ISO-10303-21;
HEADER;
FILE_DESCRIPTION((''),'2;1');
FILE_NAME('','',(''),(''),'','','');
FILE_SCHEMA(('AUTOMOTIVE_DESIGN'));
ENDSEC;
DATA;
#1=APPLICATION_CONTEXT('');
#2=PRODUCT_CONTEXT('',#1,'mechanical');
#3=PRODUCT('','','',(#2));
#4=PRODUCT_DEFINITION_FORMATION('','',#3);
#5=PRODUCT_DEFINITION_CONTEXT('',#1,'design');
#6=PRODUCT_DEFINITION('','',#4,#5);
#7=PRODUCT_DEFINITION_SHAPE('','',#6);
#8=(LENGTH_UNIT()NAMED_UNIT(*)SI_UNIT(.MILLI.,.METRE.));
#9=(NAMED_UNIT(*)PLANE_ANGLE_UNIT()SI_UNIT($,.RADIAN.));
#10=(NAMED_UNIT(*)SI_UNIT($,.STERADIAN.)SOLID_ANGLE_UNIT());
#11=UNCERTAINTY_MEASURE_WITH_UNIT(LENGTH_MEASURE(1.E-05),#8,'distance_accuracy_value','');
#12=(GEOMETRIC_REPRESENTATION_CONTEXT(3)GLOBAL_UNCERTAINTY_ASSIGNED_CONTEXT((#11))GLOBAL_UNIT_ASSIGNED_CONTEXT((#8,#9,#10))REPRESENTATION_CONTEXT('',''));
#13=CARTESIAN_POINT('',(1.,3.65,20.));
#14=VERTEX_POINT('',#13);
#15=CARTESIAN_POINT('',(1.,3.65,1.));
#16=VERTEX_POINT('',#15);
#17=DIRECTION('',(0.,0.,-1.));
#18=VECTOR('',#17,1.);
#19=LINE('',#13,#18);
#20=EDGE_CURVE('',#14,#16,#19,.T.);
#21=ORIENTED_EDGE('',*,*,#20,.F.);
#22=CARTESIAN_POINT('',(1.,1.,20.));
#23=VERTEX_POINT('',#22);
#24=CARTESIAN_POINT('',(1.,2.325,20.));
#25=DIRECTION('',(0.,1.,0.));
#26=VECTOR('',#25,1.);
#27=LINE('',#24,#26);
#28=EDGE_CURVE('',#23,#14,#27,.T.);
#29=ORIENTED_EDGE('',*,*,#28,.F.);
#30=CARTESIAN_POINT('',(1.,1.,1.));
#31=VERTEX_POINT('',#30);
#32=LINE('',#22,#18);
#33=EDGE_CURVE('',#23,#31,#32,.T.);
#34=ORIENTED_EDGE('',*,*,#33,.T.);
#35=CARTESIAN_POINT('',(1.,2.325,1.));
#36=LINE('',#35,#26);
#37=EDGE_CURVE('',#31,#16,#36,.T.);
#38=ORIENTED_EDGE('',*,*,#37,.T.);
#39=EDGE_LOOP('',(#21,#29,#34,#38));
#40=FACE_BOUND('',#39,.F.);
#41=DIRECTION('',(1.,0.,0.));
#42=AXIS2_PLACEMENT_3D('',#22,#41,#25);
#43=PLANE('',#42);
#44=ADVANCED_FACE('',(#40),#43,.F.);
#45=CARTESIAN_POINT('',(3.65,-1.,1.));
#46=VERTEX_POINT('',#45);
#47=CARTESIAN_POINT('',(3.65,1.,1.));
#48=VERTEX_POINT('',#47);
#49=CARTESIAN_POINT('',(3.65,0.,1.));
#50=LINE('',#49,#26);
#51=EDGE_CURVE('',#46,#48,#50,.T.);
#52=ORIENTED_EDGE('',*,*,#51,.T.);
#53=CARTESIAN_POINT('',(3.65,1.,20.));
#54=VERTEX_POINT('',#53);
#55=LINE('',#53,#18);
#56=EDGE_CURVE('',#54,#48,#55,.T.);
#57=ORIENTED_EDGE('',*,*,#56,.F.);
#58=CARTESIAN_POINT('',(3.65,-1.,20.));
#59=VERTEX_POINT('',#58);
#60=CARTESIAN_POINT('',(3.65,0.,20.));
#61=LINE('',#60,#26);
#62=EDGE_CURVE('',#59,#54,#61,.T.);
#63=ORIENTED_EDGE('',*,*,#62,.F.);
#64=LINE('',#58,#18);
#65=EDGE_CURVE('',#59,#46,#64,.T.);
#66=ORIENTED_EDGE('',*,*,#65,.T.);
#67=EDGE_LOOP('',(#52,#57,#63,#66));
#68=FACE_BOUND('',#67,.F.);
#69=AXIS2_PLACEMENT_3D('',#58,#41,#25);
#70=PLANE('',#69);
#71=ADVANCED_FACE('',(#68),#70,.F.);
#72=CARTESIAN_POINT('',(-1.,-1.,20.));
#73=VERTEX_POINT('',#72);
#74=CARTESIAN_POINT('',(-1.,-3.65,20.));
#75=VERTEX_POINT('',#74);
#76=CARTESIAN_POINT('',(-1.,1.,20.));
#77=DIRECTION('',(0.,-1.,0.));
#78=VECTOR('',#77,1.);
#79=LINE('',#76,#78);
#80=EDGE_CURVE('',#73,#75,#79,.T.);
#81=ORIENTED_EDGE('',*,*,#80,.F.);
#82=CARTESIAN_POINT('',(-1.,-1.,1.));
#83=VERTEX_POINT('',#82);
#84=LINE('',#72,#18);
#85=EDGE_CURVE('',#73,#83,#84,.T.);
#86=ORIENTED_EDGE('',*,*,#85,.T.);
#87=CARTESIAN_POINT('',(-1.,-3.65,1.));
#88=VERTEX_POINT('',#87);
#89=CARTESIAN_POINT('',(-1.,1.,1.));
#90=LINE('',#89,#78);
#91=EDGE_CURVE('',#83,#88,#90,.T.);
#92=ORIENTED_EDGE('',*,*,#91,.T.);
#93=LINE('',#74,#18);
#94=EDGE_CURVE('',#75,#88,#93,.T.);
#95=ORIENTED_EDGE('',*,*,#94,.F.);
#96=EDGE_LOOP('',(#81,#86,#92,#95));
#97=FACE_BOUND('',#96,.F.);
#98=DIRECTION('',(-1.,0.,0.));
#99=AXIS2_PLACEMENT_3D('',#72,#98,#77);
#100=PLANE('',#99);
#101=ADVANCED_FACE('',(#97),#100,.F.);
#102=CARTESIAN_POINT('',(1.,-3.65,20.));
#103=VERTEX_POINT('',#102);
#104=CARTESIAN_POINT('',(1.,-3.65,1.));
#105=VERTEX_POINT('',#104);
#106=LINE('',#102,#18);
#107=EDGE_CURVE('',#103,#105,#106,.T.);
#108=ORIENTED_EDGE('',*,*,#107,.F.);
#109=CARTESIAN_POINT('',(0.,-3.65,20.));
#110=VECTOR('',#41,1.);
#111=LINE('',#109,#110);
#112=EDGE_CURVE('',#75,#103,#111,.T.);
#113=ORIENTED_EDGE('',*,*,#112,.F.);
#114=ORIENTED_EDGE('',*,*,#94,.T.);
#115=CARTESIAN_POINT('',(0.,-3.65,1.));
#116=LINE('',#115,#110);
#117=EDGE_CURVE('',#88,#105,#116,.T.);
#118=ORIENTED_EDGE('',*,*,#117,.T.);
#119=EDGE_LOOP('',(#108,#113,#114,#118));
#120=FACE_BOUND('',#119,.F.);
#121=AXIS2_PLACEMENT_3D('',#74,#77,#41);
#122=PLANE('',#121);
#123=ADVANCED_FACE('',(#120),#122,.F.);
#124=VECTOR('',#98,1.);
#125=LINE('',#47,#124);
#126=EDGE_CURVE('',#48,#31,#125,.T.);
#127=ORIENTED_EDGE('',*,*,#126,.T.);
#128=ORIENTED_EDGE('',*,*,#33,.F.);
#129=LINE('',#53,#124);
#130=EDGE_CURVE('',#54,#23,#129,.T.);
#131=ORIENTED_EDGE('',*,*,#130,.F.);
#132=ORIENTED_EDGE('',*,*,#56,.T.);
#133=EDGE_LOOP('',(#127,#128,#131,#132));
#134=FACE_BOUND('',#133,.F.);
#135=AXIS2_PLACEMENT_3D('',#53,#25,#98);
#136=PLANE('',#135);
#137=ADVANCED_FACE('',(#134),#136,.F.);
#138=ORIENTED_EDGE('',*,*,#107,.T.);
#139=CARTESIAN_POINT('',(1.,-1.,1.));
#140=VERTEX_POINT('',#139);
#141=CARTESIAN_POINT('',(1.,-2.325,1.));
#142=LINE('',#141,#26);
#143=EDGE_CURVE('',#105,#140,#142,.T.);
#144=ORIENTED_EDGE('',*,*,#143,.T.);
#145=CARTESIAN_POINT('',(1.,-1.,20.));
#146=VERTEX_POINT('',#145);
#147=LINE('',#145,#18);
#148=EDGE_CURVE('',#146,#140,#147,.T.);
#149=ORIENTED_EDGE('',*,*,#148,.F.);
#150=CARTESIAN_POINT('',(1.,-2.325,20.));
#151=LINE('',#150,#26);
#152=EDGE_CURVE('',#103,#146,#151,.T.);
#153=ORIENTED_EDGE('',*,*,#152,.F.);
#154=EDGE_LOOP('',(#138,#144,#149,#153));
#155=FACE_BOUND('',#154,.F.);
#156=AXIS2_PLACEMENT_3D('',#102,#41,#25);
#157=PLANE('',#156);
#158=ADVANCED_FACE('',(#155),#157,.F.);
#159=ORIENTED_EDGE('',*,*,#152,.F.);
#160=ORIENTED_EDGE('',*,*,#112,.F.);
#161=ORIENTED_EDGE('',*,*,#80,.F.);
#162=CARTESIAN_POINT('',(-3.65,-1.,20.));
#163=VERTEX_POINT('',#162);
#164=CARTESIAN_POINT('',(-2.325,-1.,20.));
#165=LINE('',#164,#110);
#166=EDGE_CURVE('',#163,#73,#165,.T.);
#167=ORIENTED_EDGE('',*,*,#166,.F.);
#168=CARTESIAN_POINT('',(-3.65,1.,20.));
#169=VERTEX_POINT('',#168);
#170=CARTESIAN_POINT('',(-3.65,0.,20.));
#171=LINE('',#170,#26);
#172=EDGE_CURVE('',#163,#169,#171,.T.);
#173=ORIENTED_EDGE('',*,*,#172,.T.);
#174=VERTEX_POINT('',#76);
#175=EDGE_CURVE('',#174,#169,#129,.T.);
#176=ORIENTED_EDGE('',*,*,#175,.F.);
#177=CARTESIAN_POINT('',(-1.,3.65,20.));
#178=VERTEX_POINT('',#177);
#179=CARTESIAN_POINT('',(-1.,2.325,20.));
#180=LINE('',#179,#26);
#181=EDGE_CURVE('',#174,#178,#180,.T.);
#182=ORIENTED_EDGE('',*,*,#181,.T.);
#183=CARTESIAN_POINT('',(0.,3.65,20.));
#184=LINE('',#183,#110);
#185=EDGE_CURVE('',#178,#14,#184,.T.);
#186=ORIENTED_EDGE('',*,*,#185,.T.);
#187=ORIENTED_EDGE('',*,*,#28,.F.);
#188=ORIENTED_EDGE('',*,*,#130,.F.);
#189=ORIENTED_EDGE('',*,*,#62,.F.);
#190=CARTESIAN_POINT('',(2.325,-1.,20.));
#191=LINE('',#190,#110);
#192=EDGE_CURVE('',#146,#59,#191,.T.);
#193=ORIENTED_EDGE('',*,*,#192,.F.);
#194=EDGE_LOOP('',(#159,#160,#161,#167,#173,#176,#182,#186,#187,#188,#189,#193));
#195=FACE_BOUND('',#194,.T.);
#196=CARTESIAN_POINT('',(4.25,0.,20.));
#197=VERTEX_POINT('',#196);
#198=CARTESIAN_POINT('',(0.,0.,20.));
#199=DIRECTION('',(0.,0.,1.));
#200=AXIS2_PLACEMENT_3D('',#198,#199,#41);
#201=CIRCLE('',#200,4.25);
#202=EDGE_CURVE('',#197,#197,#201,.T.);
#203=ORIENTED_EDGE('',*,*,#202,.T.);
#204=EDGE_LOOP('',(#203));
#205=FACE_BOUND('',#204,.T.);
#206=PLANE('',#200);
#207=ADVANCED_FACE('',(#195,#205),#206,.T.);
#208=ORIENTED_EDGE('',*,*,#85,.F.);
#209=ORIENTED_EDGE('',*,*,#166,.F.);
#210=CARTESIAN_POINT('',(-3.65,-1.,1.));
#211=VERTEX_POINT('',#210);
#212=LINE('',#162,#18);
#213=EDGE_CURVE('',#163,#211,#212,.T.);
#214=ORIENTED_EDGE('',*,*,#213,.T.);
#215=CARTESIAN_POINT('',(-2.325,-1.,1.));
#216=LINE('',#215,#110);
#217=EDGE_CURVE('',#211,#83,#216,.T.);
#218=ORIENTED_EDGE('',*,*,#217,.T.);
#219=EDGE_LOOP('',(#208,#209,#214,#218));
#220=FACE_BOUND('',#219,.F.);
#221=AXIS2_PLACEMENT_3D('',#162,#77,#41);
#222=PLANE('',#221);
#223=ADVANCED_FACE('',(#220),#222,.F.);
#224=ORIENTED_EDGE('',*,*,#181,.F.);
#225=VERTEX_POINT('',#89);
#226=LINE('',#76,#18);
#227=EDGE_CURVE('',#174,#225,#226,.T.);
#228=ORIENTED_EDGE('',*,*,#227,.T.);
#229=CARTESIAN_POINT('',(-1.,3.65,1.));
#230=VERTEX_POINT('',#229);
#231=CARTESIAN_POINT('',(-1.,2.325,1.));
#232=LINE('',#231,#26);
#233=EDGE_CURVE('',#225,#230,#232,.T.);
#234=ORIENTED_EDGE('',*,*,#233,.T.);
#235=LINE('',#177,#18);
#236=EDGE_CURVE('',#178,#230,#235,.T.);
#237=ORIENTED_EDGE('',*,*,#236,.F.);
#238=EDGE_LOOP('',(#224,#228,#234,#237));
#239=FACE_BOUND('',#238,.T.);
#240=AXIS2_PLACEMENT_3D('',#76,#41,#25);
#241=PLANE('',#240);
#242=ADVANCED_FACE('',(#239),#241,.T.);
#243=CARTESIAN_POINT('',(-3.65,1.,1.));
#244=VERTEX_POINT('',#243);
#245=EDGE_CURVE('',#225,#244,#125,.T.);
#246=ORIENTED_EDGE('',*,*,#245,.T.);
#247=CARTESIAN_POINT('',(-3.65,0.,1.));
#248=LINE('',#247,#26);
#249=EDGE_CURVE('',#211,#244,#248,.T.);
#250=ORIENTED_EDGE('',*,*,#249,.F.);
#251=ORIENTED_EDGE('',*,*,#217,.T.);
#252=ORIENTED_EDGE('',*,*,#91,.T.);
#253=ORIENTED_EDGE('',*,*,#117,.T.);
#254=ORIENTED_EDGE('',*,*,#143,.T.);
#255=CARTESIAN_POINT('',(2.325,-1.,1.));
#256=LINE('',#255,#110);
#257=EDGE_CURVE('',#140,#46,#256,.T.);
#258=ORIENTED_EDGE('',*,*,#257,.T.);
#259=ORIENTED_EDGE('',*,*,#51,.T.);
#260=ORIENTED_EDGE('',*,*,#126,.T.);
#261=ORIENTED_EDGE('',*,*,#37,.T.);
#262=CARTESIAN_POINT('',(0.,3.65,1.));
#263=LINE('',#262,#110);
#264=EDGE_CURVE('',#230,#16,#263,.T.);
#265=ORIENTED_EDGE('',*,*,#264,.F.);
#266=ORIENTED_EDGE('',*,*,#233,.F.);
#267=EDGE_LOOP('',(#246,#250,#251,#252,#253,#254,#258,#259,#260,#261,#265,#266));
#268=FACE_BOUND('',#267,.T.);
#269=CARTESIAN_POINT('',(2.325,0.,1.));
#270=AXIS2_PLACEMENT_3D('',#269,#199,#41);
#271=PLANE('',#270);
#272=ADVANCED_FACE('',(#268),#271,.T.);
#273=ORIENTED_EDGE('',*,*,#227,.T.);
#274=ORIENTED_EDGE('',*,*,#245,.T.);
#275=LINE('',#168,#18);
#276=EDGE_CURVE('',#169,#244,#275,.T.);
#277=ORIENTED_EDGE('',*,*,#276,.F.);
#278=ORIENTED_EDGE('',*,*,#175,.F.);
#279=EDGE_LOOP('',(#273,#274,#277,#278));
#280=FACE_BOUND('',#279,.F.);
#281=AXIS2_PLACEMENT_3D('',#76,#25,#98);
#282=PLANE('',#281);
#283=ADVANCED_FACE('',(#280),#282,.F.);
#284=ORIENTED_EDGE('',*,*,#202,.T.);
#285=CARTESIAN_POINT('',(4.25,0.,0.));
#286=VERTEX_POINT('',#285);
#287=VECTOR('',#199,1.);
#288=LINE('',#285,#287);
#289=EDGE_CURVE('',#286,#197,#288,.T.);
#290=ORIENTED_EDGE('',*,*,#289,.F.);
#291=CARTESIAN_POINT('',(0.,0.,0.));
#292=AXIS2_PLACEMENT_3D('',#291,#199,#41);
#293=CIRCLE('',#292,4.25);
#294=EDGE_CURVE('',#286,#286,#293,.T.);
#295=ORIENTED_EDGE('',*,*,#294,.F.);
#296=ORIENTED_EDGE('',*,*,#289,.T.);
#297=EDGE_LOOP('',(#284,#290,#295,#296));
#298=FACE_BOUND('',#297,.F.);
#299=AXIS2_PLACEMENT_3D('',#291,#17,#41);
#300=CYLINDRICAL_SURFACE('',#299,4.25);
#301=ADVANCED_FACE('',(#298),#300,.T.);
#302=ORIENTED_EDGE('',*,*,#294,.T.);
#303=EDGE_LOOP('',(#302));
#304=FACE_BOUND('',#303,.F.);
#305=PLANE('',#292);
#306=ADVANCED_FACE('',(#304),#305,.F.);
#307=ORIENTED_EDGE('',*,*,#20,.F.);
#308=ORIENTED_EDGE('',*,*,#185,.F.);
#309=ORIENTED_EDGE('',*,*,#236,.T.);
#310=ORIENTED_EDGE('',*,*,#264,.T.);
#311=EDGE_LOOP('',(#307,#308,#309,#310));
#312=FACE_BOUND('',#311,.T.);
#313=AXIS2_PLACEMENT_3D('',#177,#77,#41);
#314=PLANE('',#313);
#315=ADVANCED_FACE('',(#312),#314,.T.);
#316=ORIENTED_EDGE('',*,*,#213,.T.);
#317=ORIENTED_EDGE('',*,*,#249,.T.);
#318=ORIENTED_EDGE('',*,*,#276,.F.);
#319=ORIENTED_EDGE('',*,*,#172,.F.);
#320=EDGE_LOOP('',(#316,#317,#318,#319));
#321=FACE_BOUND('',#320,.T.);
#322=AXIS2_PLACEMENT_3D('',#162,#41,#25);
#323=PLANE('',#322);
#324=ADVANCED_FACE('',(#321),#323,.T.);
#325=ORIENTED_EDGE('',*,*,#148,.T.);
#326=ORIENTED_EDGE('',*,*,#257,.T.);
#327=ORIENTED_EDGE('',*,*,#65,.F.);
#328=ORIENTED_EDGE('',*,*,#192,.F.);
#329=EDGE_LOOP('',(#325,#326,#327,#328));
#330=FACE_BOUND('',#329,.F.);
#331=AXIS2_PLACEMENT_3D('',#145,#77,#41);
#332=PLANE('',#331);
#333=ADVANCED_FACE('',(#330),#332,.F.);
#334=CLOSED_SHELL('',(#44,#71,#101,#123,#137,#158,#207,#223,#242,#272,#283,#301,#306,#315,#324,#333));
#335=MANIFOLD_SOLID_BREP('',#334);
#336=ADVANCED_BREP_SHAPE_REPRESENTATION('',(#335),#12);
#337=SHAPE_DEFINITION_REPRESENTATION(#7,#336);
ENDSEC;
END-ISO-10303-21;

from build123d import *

# Parameters (mm, degrees)
F0_R     = 4.25
F1_DEPTH = 20
F2_W     = 2.65
F2_H     = 2
F2_W_2   = 2
F2_H_2   = 2.65
F3_DEPTH = 19


with BuildPart() as f1:
    # F0 (on Top) → F1 (new body)
    with BuildSketch(Plane.XY):
        Circle(F0_R)
    extrude(amount=F1_DEPTH)

    # F2 (on face) → F3 (cut)
    with BuildSketch(Plane.XY.offset(20)):
        with Locations((2.325, 0)):
            Rectangle(F2_W, F2_H)
        with Locations((0, -2.325)):
            Rectangle(F2_W_2, F2_H_2)
        Rectangle(F2_W_2, F2_H)
        with Locations((-2.325, 0)):
            Rectangle(F2_W, F2_H)
        with Locations((0, 2.325)):
            Rectangle(F2_W_2, F2_H_2)
    extrude(amount=-F3_DEPTH, mode=Mode.SUBTRACT)


solid = f1.part
